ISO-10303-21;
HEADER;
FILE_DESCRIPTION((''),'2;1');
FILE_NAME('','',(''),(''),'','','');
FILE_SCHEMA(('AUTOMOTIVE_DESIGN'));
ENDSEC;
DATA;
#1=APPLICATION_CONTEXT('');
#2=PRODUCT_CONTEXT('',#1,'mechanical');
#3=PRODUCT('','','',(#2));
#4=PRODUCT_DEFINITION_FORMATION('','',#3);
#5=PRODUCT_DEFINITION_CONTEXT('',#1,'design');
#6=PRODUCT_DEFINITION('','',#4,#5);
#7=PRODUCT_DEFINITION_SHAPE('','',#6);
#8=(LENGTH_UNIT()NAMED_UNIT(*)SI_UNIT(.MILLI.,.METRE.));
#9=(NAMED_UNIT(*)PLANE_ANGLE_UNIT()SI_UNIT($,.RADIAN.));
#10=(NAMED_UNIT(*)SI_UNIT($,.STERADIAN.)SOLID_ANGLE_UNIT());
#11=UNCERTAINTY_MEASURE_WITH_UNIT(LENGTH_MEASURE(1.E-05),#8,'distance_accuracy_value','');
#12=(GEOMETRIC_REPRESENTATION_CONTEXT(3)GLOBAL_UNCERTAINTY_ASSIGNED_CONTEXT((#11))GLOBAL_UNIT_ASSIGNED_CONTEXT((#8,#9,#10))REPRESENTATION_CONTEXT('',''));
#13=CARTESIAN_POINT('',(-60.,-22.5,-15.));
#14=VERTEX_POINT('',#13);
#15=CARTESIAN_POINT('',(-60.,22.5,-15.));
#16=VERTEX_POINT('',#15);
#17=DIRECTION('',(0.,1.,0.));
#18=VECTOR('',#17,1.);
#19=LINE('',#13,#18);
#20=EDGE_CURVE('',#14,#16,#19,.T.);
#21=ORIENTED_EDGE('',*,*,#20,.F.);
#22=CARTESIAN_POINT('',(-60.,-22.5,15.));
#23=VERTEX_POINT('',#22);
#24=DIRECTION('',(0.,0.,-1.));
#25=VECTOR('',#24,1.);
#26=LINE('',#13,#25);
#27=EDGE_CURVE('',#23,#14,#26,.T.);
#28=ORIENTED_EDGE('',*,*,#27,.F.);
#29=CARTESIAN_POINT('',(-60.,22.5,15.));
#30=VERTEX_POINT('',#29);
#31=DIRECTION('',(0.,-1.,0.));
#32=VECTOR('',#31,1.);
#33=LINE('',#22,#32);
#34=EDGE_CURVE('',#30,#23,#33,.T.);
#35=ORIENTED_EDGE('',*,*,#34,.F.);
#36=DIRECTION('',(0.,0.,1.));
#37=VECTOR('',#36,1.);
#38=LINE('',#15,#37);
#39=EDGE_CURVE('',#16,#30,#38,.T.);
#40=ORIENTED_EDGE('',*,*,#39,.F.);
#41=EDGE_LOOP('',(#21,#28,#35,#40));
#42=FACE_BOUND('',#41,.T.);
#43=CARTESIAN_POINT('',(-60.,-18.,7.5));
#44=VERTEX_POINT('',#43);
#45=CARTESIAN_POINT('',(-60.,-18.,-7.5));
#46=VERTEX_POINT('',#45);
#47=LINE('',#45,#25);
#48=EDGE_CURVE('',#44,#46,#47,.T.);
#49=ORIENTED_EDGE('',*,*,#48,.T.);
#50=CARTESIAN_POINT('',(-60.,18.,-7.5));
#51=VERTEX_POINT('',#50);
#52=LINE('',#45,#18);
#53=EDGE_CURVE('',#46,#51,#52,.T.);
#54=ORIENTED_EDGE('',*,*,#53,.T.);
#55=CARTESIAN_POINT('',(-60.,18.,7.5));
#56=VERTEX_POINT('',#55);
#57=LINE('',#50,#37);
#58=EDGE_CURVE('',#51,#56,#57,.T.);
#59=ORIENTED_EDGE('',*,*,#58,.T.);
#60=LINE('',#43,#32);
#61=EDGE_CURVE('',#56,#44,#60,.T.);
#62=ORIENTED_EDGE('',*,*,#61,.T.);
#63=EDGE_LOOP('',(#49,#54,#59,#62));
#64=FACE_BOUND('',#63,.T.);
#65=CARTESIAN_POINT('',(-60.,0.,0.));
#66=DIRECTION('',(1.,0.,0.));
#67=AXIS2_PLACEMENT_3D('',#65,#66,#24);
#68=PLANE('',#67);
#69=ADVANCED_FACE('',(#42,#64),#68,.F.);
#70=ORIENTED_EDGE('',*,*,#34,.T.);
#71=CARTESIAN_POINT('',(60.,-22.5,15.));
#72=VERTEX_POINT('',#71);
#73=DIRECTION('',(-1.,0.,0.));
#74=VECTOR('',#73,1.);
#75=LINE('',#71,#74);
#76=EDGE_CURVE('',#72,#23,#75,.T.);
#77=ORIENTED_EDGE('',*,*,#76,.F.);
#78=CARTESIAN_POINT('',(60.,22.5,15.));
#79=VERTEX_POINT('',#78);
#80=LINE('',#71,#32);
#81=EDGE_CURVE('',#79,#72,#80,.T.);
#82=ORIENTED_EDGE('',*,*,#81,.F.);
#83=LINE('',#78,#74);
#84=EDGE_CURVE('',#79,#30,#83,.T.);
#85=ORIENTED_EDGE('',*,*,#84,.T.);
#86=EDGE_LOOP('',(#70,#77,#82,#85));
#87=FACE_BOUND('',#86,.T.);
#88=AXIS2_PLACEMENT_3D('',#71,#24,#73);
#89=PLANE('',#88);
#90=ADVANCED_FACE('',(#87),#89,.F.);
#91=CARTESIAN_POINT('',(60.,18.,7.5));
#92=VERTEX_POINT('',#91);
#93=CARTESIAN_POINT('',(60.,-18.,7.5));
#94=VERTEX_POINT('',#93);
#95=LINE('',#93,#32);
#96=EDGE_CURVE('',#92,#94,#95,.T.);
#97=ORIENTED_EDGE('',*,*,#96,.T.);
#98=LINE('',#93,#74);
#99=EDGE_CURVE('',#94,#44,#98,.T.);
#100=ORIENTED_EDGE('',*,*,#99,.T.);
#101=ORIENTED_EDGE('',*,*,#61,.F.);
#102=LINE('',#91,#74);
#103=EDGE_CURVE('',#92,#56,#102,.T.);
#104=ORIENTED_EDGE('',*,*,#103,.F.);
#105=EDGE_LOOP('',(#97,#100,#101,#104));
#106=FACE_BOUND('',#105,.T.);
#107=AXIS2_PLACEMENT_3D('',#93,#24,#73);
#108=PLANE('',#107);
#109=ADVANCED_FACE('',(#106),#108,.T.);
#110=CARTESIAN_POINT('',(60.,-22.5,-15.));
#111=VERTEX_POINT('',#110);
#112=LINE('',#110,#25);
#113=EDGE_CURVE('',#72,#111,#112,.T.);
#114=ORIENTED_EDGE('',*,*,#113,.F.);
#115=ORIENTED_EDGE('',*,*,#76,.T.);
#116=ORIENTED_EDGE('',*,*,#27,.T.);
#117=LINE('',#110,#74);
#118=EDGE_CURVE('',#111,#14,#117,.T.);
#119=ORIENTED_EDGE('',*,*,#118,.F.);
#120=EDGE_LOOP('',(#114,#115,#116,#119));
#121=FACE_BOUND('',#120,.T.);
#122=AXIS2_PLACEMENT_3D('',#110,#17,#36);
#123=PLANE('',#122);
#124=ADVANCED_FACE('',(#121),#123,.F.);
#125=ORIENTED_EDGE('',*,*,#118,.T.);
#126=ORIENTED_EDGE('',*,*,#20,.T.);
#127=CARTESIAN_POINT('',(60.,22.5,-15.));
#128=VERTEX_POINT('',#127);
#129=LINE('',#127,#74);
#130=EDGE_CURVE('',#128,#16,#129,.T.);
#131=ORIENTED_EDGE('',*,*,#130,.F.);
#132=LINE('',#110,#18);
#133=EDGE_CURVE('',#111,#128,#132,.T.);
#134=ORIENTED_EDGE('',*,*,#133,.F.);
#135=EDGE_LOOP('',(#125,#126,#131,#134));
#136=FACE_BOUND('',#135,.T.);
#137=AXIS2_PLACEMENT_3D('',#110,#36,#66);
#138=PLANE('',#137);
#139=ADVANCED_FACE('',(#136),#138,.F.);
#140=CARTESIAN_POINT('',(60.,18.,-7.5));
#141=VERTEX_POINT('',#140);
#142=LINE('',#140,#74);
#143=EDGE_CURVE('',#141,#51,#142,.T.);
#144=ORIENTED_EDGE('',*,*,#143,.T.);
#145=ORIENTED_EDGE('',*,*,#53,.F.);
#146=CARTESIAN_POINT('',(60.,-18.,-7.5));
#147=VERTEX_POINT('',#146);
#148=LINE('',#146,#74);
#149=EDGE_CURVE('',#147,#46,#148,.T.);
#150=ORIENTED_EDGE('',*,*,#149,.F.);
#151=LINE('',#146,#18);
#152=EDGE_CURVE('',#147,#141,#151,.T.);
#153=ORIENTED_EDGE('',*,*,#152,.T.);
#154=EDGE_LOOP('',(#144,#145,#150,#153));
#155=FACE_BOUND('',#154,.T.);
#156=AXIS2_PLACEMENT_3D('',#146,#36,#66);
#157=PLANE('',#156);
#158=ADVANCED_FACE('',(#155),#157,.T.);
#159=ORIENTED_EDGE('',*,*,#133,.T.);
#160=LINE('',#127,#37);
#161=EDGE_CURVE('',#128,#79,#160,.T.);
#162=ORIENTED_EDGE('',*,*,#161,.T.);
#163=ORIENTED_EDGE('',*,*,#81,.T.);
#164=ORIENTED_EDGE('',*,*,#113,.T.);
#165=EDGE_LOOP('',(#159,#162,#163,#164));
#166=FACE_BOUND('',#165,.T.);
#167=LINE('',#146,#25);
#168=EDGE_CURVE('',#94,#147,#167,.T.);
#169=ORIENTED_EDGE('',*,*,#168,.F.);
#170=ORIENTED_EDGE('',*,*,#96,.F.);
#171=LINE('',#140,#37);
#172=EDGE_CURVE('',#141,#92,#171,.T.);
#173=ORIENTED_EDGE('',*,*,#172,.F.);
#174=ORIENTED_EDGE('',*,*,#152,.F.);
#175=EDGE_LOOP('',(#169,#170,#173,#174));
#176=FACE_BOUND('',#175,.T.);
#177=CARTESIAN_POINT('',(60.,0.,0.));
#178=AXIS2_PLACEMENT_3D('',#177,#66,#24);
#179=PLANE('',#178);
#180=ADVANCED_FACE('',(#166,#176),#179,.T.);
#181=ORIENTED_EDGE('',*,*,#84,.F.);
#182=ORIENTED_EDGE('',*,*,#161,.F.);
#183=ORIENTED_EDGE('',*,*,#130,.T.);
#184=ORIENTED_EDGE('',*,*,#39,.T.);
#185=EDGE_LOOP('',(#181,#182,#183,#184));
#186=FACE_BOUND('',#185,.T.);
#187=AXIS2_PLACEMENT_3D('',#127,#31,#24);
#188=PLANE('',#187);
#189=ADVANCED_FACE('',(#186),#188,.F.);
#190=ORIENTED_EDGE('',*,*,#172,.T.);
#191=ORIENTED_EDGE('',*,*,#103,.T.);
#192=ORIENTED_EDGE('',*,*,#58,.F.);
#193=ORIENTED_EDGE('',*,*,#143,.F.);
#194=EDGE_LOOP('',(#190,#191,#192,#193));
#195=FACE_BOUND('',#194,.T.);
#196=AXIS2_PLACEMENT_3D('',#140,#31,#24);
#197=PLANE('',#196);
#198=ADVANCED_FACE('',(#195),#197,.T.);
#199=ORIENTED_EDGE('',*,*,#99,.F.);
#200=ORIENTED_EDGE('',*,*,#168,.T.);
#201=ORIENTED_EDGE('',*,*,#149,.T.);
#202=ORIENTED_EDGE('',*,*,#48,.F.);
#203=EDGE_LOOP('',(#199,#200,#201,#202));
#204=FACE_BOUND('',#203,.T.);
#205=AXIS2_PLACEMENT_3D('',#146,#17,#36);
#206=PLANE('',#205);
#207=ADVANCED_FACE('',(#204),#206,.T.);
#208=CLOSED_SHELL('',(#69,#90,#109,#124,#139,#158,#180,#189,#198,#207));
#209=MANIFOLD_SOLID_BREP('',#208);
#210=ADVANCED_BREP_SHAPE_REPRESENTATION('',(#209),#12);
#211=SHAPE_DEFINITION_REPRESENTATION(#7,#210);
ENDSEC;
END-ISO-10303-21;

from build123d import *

# Parameters (mm, degrees)
SKETCH1_W           = 30
SKETCH1_H           = 45
SKETCH1_W_2         = 15
SKETCH1_H_2         = 36
BOSS_EXTRUDE1_DEPTH = 60


with BuildPart() as part:
    # Sketch1 → Boss-Extrude1 (new, symmetric)
    with BuildSketch(Plane(origin=(0, 0, 0), x_dir=(0, 0, -1), z_dir=(1, 0, 0))):
        Rectangle(SKETCH1_W, SKETCH1_H)
        Rectangle(SKETCH1_W_2, SKETCH1_H_2, mode=Mode.SUBTRACT)
    extrude(amount=BOSS_EXTRUDE1_DEPTH, both=True)


solid = part.part
